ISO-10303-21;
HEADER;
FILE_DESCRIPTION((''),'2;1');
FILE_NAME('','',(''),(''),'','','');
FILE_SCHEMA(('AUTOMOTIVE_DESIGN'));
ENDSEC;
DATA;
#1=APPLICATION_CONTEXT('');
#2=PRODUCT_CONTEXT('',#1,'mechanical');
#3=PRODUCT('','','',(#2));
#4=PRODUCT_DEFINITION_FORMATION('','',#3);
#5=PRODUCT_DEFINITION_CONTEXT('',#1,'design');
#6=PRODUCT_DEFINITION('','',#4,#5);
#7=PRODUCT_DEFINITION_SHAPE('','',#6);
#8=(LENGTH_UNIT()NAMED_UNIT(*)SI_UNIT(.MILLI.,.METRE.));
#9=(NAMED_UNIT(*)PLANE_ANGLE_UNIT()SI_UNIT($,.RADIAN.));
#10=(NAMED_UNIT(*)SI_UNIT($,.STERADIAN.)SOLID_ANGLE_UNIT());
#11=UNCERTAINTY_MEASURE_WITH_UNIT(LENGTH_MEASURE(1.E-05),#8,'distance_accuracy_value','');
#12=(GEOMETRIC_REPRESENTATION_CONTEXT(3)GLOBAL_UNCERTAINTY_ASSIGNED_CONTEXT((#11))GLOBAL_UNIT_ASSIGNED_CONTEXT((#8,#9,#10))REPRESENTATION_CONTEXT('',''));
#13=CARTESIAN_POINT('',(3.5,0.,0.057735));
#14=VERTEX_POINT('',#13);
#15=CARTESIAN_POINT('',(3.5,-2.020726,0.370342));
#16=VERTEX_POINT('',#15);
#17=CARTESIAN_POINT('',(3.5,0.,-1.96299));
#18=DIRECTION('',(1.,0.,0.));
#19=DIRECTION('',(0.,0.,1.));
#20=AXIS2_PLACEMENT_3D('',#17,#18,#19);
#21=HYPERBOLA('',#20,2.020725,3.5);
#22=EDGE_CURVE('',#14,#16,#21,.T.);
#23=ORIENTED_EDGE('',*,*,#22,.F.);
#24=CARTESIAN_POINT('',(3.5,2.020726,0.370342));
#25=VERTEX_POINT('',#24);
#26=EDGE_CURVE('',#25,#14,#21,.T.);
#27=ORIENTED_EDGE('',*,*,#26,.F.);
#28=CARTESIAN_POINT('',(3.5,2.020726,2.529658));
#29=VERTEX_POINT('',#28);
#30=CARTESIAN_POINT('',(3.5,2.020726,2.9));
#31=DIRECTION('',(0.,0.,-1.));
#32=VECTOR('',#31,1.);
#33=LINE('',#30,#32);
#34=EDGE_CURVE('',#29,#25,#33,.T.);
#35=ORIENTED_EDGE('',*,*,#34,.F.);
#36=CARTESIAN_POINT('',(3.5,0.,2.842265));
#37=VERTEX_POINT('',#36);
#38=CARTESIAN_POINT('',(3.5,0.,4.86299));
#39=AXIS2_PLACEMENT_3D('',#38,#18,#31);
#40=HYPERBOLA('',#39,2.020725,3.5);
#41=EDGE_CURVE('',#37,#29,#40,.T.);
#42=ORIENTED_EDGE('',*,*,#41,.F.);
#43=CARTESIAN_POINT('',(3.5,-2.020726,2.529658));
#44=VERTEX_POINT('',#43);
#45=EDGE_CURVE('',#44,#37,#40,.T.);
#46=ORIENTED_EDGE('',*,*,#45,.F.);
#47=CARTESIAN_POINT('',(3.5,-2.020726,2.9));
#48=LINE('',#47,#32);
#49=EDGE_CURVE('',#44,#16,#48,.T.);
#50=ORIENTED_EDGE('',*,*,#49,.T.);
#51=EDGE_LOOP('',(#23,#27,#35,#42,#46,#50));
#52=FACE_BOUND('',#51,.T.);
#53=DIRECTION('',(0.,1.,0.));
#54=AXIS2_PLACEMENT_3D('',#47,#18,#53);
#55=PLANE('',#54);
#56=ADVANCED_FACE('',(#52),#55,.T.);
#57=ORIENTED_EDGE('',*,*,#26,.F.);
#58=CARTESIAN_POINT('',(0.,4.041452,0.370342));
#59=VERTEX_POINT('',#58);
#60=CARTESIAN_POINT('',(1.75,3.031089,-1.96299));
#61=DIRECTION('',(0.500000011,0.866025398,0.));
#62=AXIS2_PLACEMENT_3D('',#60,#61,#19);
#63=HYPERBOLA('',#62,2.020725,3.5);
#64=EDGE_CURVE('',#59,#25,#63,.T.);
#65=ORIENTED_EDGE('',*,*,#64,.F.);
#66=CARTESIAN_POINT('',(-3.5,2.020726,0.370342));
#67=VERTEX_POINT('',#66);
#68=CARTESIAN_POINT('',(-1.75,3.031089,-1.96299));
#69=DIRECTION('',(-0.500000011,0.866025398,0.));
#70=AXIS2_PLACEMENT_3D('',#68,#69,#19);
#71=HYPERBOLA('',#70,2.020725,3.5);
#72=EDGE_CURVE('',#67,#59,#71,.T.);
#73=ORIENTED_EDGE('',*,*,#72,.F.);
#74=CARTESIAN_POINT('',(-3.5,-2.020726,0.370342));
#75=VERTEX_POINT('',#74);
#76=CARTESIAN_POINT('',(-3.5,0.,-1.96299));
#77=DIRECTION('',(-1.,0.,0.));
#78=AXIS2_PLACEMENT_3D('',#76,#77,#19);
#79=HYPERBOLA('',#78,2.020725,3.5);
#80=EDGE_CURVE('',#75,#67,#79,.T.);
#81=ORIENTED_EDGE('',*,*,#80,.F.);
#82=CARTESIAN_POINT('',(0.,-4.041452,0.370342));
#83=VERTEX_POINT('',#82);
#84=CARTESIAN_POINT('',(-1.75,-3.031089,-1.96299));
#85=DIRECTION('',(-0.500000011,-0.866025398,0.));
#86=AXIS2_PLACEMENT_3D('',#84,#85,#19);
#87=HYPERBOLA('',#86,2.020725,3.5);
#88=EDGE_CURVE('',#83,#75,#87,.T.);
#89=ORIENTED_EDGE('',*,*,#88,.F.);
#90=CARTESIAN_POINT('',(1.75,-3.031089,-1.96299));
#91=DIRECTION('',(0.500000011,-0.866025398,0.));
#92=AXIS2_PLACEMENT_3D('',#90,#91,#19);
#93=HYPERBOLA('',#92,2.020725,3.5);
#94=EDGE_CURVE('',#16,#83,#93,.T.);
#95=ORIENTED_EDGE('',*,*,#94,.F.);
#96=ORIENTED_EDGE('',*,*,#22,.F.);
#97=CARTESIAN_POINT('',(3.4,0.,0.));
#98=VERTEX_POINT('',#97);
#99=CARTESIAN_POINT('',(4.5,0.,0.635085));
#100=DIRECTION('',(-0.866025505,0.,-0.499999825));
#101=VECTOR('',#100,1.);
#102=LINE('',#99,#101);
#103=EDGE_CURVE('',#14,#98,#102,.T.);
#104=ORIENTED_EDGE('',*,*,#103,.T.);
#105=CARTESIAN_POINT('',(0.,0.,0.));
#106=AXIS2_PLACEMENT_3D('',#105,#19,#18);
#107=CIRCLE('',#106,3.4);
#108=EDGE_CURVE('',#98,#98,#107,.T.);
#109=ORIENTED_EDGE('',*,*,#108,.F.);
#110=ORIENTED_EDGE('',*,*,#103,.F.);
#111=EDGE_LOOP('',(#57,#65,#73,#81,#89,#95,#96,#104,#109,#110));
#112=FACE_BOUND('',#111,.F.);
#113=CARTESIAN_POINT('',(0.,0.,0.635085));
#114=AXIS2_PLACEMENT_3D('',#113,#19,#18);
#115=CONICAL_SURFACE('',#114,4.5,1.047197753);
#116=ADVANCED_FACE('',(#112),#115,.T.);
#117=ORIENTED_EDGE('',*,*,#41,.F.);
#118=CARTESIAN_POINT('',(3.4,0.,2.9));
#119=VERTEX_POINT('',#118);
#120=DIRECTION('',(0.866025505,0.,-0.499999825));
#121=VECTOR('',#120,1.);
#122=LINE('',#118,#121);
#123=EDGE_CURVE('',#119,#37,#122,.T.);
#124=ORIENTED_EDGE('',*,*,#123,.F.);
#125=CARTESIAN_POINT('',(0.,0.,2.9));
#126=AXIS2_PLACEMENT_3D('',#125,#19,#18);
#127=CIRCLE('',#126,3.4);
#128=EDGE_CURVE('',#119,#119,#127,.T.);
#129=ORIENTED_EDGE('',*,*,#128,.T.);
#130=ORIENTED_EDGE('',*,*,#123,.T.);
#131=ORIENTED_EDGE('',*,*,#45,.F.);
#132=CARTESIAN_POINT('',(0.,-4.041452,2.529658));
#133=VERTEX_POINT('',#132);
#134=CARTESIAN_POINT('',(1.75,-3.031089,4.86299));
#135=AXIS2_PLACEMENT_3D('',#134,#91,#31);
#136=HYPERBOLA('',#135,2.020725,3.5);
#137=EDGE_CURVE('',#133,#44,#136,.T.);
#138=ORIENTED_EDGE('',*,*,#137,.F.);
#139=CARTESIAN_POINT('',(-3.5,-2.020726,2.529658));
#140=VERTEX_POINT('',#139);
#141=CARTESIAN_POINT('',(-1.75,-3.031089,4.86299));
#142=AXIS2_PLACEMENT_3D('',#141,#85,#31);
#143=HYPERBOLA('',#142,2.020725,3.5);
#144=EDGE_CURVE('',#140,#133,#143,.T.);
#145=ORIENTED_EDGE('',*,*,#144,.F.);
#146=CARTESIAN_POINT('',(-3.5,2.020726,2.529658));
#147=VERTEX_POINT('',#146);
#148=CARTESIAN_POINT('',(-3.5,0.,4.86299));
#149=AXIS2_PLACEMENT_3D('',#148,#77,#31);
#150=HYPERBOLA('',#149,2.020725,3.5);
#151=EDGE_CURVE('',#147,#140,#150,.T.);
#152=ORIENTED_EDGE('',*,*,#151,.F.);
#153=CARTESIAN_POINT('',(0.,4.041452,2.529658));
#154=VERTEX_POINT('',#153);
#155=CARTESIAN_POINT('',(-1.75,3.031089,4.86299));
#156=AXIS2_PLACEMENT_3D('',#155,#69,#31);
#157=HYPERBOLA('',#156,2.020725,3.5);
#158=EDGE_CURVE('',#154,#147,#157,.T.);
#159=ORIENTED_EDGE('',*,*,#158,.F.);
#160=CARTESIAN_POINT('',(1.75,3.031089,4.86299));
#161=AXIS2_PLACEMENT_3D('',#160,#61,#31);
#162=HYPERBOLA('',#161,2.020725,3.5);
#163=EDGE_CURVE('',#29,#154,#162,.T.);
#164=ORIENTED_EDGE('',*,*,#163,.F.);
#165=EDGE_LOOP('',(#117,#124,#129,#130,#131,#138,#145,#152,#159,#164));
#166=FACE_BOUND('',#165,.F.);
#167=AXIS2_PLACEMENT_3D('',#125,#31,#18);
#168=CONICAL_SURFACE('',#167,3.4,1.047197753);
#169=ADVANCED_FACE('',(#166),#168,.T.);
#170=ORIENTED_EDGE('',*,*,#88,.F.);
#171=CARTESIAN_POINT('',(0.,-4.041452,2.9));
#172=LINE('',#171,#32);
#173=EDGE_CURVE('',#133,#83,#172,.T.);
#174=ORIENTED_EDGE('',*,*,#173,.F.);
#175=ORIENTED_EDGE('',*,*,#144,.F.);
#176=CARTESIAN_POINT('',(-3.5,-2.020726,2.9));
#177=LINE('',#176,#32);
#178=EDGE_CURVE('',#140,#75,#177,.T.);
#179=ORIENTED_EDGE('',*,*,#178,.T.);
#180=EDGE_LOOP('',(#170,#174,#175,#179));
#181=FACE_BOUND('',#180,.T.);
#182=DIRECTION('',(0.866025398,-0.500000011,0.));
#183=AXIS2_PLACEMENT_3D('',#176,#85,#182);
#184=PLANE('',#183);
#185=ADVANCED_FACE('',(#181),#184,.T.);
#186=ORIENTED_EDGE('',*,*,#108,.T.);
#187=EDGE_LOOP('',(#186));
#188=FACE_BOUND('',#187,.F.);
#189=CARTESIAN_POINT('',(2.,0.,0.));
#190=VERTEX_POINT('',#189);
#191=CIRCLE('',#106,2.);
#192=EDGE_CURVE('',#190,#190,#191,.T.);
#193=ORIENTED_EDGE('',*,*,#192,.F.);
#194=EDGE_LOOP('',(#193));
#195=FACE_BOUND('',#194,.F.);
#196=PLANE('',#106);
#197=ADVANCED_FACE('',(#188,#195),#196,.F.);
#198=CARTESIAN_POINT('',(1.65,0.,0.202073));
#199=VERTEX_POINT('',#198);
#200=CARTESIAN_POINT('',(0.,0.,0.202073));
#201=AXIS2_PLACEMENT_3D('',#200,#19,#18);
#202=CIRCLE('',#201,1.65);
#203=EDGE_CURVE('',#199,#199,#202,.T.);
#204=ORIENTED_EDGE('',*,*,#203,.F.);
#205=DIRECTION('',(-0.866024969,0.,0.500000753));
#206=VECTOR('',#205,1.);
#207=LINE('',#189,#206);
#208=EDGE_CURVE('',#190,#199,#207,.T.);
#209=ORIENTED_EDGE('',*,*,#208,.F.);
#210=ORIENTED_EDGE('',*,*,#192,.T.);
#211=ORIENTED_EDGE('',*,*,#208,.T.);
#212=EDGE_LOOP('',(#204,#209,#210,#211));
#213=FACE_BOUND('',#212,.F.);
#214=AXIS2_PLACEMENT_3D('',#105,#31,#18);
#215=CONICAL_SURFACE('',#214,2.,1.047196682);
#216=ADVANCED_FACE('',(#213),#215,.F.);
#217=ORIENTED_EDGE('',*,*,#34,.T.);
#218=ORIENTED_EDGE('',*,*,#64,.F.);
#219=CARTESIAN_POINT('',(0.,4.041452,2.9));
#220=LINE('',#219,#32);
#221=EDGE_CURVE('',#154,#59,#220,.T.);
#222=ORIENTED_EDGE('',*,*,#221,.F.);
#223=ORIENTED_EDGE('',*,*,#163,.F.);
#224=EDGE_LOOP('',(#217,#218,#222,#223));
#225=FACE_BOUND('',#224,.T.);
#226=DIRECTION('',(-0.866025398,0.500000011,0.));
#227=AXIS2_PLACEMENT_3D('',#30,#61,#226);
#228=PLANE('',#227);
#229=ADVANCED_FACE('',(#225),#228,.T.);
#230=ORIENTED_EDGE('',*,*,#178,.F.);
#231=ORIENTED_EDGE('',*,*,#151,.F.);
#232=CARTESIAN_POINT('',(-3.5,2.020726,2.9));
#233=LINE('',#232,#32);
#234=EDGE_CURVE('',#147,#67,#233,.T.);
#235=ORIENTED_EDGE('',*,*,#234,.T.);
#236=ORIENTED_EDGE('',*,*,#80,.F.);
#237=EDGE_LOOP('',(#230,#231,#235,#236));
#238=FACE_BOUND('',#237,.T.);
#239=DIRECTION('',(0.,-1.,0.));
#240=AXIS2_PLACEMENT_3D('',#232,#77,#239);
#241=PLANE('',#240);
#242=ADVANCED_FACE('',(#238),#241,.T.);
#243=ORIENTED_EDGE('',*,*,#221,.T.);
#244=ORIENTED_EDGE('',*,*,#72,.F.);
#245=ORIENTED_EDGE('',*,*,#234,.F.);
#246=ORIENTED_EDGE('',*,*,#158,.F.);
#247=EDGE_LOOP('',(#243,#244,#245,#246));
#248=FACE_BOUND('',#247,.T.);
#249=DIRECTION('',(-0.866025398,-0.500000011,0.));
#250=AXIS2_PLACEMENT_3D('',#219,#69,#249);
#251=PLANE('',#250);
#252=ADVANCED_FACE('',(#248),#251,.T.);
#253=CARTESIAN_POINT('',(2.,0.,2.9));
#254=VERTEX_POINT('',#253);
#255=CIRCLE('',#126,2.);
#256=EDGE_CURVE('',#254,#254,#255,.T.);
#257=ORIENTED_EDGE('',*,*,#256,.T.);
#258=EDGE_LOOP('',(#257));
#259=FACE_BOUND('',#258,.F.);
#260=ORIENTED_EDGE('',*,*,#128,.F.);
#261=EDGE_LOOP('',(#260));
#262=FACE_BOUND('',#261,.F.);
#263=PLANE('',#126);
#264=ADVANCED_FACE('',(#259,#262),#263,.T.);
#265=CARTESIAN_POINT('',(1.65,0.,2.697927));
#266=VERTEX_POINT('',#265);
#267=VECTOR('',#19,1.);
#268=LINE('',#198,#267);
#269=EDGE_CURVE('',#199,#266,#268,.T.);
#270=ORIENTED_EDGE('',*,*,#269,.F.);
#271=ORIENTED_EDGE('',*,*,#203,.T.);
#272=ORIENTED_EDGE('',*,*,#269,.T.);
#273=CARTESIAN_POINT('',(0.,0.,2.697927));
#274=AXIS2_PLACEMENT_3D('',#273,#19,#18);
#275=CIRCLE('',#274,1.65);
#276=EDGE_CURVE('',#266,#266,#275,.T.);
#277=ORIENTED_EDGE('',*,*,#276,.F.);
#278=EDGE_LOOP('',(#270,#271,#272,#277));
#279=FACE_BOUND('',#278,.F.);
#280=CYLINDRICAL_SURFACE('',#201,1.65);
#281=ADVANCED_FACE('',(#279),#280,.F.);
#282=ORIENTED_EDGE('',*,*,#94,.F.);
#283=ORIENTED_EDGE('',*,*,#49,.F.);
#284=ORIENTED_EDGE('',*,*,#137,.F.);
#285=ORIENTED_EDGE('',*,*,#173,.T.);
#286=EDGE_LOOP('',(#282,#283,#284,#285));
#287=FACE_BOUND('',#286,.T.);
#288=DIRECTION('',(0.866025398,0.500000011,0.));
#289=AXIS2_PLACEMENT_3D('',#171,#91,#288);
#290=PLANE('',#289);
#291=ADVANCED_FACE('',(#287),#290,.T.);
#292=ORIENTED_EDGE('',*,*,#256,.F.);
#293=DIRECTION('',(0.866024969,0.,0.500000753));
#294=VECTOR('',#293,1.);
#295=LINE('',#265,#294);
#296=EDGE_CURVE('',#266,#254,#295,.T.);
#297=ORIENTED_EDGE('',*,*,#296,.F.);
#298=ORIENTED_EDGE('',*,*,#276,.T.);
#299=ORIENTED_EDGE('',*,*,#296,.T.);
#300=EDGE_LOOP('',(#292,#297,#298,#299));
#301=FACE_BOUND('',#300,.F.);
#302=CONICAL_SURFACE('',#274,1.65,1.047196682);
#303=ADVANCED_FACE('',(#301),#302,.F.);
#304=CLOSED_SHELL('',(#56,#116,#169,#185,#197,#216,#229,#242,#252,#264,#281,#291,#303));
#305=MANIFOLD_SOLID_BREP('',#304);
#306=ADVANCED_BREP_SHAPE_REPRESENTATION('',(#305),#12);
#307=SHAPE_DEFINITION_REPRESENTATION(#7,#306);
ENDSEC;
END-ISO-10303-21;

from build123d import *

# Parameters (mm, degrees)
SKETCH001_R  = 4.5
POCKET_DEPTH = 2.9


with BuildPart() as part:
    # Sketch → Revolution (revolve)
    with BuildSketch(Plane.XZ):
        Polygon((2, 0), (1.65, 0.202073), (1.65, 2.697927), (2, 2.9), (3.4, 2.9), (4.5, 2.264915), (4.5, 0.635085), (3.4, 0), align=None)
    revolve(axis=Axis((0, 0, 0), (0, 0, 1)))

    # Sketch001 → Pocket (cut)
    with BuildSketch(Plane(origin=(0, 0, 2.9), x_dir=(-1, 0, 0), z_dir=(0, 0, 1))):
        Circle(SKETCH001_R)
        Polygon((-3.5, 2.020726), (-3.5, -2.020726), (0, -4.041452), (3.5, -2.020726), (3.5, 2.020726), (0, 4.041452), align=None, mode=Mode.SUBTRACT)
    extrude(amount=-POCKET_DEPTH, mode=Mode.SUBTRACT)


solid = part.part
